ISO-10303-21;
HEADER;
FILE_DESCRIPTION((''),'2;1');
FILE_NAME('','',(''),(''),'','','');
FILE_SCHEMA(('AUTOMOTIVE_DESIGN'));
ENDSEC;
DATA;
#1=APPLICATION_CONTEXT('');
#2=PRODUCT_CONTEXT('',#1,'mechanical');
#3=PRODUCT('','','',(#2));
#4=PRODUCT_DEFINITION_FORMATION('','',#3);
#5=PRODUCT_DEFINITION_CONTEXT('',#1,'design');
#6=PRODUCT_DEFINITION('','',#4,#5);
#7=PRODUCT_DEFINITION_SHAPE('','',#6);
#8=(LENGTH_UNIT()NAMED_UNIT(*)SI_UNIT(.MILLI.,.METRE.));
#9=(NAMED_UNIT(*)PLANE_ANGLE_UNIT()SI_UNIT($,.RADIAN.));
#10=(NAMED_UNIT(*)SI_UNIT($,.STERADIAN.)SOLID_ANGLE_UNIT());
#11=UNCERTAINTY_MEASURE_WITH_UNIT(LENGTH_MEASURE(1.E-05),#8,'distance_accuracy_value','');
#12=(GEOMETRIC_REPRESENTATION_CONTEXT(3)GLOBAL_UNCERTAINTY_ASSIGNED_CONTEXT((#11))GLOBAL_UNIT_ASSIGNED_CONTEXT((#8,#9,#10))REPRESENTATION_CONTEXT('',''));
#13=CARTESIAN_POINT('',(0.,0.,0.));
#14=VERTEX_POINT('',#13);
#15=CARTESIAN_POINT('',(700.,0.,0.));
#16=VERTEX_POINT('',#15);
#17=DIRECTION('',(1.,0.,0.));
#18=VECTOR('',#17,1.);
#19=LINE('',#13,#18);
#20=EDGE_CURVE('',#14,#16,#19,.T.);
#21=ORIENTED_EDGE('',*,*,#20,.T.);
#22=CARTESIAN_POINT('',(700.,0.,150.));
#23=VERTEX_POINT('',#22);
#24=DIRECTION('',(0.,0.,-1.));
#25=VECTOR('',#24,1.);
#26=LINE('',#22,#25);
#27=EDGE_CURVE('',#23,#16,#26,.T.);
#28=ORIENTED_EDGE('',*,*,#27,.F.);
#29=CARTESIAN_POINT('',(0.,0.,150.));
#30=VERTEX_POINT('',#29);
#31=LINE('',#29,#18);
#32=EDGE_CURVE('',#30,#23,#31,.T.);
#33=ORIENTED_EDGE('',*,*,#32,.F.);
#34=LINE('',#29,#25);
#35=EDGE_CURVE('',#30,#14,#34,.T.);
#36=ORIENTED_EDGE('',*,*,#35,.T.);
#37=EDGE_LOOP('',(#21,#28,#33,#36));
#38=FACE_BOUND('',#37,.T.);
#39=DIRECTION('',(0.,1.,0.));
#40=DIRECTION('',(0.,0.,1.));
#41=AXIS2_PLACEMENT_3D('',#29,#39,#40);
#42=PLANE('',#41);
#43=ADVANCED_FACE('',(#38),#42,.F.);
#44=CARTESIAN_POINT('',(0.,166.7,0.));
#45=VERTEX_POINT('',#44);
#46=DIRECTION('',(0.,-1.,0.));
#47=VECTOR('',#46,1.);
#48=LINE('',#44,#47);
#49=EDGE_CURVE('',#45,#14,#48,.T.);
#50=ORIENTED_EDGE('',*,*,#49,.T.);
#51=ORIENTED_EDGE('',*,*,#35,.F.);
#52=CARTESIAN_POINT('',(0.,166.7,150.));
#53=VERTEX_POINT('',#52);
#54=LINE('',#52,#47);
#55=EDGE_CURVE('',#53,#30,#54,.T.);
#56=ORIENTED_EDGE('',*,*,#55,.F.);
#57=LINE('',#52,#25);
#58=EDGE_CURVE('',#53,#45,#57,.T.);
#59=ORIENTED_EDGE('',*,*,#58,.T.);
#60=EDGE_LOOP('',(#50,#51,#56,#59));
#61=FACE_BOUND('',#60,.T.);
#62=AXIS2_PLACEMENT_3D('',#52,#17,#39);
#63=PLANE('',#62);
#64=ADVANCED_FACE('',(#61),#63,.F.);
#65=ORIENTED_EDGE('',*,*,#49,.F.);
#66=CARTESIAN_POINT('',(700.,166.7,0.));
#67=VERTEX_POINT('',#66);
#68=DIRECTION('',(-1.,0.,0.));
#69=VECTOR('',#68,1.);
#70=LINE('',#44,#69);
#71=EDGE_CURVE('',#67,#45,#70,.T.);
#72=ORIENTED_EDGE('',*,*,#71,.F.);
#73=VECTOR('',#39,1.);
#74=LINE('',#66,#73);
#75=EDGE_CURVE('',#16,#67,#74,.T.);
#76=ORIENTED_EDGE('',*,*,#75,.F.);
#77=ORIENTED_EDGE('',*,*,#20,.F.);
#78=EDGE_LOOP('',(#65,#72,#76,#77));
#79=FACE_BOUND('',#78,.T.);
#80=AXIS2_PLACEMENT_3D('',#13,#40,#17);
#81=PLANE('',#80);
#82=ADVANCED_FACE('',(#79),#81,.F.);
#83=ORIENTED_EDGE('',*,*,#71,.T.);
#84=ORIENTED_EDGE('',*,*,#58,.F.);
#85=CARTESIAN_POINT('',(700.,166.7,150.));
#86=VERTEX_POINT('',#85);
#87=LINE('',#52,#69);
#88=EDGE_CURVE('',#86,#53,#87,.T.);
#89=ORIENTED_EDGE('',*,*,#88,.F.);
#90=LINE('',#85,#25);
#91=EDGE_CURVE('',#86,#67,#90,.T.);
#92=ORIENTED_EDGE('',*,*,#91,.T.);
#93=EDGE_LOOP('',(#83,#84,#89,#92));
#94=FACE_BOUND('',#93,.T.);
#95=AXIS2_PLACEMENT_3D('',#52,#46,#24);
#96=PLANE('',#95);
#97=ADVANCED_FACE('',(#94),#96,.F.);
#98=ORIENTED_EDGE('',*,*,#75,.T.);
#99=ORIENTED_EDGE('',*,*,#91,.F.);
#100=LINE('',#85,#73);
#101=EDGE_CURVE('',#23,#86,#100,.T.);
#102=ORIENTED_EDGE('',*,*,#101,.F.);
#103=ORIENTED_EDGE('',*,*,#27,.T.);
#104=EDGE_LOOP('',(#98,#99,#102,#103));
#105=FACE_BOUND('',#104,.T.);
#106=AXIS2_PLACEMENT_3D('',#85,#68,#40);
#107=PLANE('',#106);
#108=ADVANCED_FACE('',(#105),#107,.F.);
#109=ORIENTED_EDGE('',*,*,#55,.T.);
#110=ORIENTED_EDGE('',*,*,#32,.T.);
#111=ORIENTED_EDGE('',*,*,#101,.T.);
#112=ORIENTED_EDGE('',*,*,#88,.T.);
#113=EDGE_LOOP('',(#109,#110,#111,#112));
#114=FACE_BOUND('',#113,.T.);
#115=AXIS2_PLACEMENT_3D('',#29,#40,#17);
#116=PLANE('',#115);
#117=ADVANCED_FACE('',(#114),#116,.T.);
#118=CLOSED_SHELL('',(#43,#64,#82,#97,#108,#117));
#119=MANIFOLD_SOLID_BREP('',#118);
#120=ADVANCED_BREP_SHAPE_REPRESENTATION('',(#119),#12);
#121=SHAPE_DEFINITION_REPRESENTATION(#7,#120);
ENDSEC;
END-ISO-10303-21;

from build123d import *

# Parameters (mm, degrees)
SKETCH_1_W        = 700
SKETCH_1_H        = 166.7
EXTRUDE_304_DEPTH = 150


with BuildPart() as part:
    # 草图1 → Extrude 304 (new body)
    with BuildSketch(Plane.XY):
        with Locations((350, 83.35)):
            Rectangle(SKETCH_1_W, SKETCH_1_H)
    extrude(amount=EXTRUDE_304_DEPTH)


solid = part.part
